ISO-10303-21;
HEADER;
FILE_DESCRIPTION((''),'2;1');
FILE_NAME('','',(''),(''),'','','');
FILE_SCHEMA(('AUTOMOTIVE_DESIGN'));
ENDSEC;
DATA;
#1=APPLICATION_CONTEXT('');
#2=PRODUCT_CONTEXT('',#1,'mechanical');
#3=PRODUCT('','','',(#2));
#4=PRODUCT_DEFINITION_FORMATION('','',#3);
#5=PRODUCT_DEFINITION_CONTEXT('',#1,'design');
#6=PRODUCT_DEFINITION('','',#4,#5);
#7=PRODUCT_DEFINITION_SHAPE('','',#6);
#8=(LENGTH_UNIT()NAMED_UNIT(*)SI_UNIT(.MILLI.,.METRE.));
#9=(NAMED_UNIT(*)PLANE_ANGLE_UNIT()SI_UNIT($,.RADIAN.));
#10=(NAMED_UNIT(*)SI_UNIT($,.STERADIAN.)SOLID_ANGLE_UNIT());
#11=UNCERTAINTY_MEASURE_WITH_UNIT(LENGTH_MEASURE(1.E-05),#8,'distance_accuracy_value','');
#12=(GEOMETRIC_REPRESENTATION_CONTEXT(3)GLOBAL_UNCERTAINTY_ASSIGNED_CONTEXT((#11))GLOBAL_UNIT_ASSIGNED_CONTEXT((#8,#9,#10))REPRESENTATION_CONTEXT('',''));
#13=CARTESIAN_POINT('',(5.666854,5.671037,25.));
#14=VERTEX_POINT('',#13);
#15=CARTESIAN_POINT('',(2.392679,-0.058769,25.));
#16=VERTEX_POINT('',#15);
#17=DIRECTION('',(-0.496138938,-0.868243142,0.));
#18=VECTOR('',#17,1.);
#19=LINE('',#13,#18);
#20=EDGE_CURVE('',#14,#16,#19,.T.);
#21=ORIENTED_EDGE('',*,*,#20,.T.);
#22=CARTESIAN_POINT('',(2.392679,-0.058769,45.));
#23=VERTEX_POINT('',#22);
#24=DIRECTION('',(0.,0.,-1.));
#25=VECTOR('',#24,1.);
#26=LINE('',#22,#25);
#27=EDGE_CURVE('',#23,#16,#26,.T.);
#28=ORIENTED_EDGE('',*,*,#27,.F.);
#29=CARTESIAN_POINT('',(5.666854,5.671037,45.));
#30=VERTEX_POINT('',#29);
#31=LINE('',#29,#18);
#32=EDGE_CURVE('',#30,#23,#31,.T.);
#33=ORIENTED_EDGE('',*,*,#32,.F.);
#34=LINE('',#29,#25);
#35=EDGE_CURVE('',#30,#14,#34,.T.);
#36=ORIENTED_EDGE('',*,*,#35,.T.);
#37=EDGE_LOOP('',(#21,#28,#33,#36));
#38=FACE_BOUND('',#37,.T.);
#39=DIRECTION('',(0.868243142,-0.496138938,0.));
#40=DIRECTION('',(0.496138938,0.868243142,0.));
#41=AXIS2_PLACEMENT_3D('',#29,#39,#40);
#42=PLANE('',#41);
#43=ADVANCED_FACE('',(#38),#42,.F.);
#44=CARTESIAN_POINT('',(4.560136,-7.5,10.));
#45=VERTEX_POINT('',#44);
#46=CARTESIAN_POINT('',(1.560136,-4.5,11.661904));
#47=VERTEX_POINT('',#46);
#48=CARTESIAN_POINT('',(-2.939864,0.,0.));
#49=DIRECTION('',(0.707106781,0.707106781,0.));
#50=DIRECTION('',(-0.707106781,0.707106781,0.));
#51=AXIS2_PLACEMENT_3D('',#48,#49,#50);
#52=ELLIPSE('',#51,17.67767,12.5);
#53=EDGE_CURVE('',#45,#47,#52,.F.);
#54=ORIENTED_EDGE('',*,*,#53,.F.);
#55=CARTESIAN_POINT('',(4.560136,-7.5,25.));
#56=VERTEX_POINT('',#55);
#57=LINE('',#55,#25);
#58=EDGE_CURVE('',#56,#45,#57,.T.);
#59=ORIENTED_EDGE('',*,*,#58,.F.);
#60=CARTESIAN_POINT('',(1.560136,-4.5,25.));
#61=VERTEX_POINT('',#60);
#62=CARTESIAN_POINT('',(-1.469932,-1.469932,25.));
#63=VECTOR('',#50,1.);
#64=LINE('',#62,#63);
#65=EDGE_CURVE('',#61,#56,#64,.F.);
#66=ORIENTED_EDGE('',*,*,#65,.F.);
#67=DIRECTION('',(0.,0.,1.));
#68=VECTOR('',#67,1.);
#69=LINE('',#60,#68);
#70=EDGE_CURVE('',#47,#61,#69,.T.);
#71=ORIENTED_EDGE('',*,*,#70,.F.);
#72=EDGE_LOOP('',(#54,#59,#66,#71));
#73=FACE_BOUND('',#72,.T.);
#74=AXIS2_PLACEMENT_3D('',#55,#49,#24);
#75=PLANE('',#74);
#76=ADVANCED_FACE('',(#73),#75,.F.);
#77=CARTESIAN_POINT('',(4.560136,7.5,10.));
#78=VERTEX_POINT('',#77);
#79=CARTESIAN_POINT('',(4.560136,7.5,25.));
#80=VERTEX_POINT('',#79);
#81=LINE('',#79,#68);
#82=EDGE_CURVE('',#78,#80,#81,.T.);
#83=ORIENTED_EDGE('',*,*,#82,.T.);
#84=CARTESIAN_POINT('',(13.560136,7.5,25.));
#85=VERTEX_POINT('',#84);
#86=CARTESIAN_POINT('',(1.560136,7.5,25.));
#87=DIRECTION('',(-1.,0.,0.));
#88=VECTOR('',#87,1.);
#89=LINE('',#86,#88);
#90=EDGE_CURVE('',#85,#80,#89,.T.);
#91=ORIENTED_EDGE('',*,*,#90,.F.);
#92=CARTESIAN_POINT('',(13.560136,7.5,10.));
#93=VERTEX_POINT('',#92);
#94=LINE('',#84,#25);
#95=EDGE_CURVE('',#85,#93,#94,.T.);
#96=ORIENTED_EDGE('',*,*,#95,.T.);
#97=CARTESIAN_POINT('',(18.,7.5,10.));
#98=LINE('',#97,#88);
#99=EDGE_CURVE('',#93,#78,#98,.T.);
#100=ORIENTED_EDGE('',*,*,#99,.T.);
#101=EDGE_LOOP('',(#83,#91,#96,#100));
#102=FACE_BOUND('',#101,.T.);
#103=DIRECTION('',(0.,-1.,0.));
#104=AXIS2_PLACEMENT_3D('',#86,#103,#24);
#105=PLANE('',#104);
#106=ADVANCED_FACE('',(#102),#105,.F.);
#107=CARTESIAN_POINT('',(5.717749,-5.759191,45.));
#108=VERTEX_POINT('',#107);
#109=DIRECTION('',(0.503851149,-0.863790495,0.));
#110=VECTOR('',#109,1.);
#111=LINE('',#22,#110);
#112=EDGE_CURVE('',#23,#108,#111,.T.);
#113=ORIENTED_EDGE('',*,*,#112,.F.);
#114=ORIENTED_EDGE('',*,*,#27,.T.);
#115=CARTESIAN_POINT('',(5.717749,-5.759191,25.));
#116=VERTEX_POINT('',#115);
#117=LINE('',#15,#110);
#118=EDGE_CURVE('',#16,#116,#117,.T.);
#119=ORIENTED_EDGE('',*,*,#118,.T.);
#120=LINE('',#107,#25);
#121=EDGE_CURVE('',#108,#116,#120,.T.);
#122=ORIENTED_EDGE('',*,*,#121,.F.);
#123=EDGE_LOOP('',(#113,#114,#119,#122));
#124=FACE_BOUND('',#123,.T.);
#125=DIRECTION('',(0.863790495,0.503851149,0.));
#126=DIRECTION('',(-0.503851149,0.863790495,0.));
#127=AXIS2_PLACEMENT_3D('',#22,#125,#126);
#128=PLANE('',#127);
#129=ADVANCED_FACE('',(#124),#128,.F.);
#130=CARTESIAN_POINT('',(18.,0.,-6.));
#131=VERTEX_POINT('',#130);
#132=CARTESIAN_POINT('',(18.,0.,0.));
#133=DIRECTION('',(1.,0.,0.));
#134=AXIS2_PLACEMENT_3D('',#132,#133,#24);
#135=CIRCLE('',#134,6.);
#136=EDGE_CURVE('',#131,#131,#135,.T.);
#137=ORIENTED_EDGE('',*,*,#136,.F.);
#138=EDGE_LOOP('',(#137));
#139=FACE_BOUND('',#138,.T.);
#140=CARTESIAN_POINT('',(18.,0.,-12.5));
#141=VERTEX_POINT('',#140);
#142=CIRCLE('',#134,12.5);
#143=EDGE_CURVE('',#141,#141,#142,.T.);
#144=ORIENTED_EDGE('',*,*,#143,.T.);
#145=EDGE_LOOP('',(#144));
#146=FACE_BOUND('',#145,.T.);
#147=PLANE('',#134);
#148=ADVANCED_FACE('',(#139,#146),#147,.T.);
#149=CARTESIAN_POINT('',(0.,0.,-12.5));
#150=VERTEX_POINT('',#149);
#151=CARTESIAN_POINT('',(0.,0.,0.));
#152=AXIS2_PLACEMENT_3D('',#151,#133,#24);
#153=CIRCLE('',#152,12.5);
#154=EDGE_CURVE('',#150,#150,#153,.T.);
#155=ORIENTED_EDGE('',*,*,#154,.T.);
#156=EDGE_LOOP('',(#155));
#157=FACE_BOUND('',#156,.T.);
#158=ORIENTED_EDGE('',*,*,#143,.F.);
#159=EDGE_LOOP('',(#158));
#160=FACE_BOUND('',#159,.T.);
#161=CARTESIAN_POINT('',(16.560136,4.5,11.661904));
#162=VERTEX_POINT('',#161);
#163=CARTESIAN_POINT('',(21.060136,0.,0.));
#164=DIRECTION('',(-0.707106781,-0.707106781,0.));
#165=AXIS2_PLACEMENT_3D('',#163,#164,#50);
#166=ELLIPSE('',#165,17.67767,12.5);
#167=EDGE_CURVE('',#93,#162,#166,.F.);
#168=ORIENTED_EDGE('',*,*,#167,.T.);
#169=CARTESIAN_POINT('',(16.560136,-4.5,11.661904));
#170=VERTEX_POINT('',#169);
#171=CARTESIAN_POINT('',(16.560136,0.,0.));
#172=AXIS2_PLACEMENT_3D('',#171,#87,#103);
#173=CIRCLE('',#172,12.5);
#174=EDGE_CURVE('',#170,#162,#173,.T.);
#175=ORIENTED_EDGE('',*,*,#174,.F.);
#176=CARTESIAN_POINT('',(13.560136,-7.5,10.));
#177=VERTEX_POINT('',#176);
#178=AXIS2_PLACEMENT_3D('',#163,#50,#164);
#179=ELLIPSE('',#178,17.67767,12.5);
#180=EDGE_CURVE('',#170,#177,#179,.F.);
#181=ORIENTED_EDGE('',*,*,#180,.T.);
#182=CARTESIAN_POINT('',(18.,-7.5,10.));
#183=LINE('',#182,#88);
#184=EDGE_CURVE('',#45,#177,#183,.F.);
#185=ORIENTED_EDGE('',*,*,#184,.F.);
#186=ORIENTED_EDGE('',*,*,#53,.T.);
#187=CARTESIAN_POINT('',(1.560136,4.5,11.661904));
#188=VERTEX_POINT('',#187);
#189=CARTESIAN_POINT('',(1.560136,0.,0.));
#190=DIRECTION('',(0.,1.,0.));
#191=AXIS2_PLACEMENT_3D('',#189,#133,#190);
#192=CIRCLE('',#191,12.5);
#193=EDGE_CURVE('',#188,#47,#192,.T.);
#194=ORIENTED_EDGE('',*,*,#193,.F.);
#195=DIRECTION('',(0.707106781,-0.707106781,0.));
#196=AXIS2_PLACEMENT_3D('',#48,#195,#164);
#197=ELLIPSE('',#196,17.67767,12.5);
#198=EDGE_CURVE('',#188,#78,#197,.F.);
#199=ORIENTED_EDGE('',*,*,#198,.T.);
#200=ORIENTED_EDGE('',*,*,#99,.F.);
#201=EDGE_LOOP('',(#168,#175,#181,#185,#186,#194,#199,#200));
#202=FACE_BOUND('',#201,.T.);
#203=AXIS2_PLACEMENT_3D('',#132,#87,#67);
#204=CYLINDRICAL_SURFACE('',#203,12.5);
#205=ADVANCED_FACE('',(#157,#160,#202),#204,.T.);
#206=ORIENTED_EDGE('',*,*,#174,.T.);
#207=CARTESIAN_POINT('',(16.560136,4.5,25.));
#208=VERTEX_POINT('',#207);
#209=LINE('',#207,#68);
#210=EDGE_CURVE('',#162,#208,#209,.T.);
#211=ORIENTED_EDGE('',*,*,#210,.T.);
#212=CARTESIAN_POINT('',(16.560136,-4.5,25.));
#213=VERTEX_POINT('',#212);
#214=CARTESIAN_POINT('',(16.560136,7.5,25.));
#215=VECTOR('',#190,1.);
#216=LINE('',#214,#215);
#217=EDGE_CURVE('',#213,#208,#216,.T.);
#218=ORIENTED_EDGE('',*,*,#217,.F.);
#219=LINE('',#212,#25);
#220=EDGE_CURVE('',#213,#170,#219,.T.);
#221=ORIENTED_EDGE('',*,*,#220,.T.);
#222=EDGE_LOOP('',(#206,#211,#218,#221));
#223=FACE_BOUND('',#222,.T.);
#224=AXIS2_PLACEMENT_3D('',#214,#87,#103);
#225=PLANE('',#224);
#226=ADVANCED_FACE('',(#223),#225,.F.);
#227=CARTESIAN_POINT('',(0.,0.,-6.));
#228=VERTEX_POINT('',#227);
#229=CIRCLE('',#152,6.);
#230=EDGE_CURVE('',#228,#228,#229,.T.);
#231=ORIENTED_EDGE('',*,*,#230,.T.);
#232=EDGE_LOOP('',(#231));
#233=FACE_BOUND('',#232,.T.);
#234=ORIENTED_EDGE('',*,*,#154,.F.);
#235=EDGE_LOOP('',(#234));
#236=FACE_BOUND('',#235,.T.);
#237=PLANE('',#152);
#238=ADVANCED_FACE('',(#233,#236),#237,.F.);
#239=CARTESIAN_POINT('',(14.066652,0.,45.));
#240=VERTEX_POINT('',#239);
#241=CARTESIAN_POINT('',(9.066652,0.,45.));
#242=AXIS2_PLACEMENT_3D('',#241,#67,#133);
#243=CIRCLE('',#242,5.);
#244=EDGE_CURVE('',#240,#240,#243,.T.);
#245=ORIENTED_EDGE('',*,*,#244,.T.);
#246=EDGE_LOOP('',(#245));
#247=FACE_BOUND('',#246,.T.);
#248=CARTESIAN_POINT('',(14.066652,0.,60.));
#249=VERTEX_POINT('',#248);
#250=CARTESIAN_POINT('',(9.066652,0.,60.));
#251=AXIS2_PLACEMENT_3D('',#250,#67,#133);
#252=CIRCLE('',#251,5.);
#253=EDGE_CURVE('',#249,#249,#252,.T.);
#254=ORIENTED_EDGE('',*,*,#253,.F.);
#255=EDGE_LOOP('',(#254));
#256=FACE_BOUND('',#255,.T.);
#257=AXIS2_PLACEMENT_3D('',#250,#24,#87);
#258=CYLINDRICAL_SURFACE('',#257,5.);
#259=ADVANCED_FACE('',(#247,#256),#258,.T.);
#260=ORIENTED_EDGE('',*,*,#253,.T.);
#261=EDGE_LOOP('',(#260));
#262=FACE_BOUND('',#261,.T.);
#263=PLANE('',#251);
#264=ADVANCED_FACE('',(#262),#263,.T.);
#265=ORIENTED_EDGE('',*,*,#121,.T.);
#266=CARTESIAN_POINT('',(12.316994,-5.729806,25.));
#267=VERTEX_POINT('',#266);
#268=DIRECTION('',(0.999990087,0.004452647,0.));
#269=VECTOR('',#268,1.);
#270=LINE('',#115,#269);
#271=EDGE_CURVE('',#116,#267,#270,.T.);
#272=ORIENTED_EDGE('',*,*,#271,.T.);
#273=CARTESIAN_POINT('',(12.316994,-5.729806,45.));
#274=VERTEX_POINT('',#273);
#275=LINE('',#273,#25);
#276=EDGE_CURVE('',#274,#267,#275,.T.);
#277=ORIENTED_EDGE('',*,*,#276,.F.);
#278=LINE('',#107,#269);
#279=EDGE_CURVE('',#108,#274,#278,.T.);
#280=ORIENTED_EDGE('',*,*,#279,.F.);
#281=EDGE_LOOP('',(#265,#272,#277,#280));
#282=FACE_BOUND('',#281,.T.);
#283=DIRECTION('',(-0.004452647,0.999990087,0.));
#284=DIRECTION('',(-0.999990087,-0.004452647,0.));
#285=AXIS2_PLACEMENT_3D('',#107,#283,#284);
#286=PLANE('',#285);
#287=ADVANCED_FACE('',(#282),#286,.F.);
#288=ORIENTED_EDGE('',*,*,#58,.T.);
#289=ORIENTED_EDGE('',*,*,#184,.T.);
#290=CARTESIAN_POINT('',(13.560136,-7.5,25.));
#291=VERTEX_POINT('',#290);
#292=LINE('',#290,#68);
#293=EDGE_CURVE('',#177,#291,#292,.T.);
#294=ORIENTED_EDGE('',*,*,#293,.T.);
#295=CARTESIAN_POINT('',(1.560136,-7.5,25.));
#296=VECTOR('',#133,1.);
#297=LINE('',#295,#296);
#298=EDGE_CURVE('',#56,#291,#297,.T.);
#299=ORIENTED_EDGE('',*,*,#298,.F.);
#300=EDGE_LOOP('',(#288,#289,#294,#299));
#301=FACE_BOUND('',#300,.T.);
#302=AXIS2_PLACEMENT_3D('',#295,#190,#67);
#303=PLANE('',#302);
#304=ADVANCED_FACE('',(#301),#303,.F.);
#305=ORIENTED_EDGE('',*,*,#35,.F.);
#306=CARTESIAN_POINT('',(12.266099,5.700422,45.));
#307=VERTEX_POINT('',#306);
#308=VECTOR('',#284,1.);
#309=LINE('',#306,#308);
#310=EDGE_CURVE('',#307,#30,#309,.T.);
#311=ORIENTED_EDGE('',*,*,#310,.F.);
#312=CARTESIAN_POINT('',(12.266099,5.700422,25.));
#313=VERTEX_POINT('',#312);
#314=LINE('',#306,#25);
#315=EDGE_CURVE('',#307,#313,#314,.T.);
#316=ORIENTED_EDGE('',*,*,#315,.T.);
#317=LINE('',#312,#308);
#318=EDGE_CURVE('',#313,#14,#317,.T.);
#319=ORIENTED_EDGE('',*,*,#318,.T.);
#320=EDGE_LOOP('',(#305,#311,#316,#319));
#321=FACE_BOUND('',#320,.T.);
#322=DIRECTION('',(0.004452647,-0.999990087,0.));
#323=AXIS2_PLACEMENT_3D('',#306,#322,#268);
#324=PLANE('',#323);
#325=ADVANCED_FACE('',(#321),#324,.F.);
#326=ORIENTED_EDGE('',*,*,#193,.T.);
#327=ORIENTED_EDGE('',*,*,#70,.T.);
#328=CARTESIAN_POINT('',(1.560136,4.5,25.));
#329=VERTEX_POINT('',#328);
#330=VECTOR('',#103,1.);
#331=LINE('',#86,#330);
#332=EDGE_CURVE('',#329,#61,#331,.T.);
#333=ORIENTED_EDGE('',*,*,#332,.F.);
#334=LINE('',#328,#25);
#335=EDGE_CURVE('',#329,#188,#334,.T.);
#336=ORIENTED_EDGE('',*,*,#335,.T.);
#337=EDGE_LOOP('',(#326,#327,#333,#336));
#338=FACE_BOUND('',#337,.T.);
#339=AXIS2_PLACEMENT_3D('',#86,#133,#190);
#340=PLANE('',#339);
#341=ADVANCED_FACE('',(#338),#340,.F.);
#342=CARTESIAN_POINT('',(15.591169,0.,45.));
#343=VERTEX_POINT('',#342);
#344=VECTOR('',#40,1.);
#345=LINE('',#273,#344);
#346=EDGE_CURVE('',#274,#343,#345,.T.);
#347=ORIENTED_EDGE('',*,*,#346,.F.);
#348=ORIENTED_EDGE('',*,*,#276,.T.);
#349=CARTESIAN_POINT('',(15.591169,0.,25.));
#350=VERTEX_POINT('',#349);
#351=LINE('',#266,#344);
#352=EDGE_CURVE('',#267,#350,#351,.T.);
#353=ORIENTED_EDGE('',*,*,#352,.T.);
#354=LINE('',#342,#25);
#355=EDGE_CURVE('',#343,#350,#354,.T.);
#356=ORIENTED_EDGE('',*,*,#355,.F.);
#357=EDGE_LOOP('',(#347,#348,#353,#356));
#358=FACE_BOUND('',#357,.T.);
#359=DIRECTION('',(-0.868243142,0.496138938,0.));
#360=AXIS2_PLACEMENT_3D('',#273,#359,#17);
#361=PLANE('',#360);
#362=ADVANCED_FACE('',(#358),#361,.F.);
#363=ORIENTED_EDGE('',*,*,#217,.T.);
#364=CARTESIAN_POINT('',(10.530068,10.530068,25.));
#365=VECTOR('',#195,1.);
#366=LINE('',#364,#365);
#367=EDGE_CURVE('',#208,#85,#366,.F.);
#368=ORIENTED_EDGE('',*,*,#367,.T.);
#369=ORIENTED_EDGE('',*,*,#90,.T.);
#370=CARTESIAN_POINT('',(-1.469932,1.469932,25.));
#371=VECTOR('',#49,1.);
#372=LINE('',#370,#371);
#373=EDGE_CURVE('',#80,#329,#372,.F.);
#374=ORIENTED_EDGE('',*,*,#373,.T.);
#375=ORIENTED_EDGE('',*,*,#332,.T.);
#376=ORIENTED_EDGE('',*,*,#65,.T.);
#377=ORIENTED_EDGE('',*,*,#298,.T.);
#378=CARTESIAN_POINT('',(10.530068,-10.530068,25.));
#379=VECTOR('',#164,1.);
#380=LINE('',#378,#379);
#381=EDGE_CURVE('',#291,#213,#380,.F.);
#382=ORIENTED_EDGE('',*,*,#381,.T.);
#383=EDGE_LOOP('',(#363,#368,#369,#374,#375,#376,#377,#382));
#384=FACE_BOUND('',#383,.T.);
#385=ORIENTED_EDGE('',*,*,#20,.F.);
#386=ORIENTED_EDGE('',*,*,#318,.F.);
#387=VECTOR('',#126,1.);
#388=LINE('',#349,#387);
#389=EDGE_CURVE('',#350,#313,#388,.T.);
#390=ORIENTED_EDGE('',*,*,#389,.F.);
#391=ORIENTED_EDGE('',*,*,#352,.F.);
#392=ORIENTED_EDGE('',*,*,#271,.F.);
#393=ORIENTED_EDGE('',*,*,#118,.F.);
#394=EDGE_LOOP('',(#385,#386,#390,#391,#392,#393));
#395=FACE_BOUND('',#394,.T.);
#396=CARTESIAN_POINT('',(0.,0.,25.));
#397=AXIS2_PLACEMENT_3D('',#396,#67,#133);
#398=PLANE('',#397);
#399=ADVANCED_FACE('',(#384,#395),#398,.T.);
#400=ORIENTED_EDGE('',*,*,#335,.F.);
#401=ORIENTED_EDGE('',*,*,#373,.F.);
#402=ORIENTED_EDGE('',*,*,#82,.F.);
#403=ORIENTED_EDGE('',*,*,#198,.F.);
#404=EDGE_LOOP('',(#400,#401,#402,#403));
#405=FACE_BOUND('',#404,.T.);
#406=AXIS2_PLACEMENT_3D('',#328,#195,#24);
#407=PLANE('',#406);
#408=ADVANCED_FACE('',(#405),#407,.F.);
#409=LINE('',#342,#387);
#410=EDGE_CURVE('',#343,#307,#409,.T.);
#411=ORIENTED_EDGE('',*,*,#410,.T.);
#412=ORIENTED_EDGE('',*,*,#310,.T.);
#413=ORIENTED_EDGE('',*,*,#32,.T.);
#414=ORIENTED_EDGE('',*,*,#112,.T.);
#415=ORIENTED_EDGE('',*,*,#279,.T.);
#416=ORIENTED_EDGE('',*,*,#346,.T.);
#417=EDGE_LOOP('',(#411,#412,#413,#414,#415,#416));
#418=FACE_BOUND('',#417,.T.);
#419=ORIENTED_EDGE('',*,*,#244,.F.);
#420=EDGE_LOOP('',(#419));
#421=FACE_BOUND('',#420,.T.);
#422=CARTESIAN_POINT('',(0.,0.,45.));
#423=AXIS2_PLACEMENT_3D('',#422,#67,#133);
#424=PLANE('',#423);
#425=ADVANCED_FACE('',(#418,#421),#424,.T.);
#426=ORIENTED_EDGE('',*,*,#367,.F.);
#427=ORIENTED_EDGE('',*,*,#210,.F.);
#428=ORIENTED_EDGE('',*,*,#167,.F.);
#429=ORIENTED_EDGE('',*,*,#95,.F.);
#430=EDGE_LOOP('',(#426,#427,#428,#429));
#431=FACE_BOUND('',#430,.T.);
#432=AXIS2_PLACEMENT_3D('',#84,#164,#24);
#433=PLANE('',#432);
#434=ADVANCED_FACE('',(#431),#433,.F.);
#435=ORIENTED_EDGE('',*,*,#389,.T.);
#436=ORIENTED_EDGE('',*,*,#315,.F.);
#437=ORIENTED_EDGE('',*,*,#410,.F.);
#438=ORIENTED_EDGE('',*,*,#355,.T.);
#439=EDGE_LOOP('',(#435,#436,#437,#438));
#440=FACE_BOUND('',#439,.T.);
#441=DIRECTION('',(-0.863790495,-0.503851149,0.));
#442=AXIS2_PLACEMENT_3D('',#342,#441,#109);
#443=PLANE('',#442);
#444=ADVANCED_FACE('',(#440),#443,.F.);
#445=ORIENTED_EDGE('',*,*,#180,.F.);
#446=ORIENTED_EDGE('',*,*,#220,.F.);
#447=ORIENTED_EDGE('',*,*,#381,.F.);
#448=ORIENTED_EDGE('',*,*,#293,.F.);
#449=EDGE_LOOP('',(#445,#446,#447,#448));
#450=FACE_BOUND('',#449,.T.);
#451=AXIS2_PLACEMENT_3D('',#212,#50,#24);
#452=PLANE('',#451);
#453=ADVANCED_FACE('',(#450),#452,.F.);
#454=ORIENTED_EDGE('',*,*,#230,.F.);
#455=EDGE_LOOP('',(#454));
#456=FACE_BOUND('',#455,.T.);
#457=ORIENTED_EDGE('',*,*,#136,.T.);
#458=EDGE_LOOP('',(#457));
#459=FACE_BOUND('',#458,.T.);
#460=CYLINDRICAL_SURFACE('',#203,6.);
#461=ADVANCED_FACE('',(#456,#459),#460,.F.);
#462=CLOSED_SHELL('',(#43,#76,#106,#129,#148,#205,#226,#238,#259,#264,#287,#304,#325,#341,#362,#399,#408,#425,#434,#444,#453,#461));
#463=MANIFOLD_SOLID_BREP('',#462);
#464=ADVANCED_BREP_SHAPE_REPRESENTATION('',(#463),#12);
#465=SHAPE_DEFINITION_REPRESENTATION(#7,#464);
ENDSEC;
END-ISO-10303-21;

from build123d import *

# Parameters (mm, degrees)
SKETCH1_R               = 12.5
SKETCH1_R_2             = 6
BOSS_EXTRUDE1_DEPTH     = 18
SKETCH2_W               = 15
SKETCH2_H               = 15
BOSS_EXTRUDE2_DEPTH     = 25
BOSS_EXTRUDE3_DEPTH     = 20
CHAMFER1_SIZE           = 3
SKETCH4_R               = 5
BOSS_EXTRUDE4_DEPTH     = 15
CUT_EXTRUDE2_DEPTH      = 64.876834612
CUT_EXTRUDE2_DEPTH_BACK = 64.876834612
SKETCH1_3_R             = 6


with BuildPart() as part:
    # Sketch1 → Boss-Extrude1 (new body)
    with BuildSketch(Plane(origin=(0, 0, 0), x_dir=(0, 0, -1), z_dir=(1, 0, 0))):
        Circle(SKETCH1_R)
        Circle(SKETCH1_R_2, mode=Mode.SUBTRACT)
    extrude(amount=BOSS_EXTRUDE1_DEPTH)

    # Sketch2 → Boss-Extrude2 (add)
    with BuildSketch(Plane.XY):
        with Locations((9.060136008, 0)):
            Rectangle(SKETCH2_W, SKETCH2_H)
    extrude(amount=BOSS_EXTRUDE2_DEPTH)

    # Sketch3 → Boss-Extrude3 (add)
    with BuildSketch(Plane.XY.offset(25)):
        Polygon((12.266098975, 5.700421756), (5.666853814, 5.671037358), (2.392678869, -0.058768796), (5.717749085, -5.759190552), (12.316994245, -5.729806154), (15.591169191, 0), align=None)
    extrude(amount=BOSS_EXTRUDE3_DEPTH)

    # Chamfer1
    chamfer1_edges = [part.edges().sort_by_distance(p)[0] for p in [
        (1.560136008, -7.5, 17.5),
        (16.560136008, 7.5, 17.5),
        (1.560136008, 7.5, 17.5),
        (16.560136008, -7.5, 17.5),
    ]]
    chamfer(chamfer1_edges, length=CHAMFER1_SIZE)

    # Sketch4 → Boss-Extrude4 (add)
    with BuildSketch(Plane.XY.offset(45)):
        with Locations((9.066652134, 0)):
            Circle(SKETCH4_R)
    extrude(amount=BOSS_EXTRUDE4_DEPTH)

    # Sketch1<3> → Cut-Extrude2 (cut, two sides: drawn at the far end of the back side and taken through both)
    with BuildSketch(Plane(origin=(0, 0, 0), x_dir=(0, 0, -1), z_dir=(1, 0, 0)).offset(-CUT_EXTRUDE2_DEPTH_BACK)):
        Circle(SKETCH1_3_R)
    extrude(amount=CUT_EXTRUDE2_DEPTH + CUT_EXTRUDE2_DEPTH_BACK, mode=Mode.SUBTRACT)


solid = part.part
